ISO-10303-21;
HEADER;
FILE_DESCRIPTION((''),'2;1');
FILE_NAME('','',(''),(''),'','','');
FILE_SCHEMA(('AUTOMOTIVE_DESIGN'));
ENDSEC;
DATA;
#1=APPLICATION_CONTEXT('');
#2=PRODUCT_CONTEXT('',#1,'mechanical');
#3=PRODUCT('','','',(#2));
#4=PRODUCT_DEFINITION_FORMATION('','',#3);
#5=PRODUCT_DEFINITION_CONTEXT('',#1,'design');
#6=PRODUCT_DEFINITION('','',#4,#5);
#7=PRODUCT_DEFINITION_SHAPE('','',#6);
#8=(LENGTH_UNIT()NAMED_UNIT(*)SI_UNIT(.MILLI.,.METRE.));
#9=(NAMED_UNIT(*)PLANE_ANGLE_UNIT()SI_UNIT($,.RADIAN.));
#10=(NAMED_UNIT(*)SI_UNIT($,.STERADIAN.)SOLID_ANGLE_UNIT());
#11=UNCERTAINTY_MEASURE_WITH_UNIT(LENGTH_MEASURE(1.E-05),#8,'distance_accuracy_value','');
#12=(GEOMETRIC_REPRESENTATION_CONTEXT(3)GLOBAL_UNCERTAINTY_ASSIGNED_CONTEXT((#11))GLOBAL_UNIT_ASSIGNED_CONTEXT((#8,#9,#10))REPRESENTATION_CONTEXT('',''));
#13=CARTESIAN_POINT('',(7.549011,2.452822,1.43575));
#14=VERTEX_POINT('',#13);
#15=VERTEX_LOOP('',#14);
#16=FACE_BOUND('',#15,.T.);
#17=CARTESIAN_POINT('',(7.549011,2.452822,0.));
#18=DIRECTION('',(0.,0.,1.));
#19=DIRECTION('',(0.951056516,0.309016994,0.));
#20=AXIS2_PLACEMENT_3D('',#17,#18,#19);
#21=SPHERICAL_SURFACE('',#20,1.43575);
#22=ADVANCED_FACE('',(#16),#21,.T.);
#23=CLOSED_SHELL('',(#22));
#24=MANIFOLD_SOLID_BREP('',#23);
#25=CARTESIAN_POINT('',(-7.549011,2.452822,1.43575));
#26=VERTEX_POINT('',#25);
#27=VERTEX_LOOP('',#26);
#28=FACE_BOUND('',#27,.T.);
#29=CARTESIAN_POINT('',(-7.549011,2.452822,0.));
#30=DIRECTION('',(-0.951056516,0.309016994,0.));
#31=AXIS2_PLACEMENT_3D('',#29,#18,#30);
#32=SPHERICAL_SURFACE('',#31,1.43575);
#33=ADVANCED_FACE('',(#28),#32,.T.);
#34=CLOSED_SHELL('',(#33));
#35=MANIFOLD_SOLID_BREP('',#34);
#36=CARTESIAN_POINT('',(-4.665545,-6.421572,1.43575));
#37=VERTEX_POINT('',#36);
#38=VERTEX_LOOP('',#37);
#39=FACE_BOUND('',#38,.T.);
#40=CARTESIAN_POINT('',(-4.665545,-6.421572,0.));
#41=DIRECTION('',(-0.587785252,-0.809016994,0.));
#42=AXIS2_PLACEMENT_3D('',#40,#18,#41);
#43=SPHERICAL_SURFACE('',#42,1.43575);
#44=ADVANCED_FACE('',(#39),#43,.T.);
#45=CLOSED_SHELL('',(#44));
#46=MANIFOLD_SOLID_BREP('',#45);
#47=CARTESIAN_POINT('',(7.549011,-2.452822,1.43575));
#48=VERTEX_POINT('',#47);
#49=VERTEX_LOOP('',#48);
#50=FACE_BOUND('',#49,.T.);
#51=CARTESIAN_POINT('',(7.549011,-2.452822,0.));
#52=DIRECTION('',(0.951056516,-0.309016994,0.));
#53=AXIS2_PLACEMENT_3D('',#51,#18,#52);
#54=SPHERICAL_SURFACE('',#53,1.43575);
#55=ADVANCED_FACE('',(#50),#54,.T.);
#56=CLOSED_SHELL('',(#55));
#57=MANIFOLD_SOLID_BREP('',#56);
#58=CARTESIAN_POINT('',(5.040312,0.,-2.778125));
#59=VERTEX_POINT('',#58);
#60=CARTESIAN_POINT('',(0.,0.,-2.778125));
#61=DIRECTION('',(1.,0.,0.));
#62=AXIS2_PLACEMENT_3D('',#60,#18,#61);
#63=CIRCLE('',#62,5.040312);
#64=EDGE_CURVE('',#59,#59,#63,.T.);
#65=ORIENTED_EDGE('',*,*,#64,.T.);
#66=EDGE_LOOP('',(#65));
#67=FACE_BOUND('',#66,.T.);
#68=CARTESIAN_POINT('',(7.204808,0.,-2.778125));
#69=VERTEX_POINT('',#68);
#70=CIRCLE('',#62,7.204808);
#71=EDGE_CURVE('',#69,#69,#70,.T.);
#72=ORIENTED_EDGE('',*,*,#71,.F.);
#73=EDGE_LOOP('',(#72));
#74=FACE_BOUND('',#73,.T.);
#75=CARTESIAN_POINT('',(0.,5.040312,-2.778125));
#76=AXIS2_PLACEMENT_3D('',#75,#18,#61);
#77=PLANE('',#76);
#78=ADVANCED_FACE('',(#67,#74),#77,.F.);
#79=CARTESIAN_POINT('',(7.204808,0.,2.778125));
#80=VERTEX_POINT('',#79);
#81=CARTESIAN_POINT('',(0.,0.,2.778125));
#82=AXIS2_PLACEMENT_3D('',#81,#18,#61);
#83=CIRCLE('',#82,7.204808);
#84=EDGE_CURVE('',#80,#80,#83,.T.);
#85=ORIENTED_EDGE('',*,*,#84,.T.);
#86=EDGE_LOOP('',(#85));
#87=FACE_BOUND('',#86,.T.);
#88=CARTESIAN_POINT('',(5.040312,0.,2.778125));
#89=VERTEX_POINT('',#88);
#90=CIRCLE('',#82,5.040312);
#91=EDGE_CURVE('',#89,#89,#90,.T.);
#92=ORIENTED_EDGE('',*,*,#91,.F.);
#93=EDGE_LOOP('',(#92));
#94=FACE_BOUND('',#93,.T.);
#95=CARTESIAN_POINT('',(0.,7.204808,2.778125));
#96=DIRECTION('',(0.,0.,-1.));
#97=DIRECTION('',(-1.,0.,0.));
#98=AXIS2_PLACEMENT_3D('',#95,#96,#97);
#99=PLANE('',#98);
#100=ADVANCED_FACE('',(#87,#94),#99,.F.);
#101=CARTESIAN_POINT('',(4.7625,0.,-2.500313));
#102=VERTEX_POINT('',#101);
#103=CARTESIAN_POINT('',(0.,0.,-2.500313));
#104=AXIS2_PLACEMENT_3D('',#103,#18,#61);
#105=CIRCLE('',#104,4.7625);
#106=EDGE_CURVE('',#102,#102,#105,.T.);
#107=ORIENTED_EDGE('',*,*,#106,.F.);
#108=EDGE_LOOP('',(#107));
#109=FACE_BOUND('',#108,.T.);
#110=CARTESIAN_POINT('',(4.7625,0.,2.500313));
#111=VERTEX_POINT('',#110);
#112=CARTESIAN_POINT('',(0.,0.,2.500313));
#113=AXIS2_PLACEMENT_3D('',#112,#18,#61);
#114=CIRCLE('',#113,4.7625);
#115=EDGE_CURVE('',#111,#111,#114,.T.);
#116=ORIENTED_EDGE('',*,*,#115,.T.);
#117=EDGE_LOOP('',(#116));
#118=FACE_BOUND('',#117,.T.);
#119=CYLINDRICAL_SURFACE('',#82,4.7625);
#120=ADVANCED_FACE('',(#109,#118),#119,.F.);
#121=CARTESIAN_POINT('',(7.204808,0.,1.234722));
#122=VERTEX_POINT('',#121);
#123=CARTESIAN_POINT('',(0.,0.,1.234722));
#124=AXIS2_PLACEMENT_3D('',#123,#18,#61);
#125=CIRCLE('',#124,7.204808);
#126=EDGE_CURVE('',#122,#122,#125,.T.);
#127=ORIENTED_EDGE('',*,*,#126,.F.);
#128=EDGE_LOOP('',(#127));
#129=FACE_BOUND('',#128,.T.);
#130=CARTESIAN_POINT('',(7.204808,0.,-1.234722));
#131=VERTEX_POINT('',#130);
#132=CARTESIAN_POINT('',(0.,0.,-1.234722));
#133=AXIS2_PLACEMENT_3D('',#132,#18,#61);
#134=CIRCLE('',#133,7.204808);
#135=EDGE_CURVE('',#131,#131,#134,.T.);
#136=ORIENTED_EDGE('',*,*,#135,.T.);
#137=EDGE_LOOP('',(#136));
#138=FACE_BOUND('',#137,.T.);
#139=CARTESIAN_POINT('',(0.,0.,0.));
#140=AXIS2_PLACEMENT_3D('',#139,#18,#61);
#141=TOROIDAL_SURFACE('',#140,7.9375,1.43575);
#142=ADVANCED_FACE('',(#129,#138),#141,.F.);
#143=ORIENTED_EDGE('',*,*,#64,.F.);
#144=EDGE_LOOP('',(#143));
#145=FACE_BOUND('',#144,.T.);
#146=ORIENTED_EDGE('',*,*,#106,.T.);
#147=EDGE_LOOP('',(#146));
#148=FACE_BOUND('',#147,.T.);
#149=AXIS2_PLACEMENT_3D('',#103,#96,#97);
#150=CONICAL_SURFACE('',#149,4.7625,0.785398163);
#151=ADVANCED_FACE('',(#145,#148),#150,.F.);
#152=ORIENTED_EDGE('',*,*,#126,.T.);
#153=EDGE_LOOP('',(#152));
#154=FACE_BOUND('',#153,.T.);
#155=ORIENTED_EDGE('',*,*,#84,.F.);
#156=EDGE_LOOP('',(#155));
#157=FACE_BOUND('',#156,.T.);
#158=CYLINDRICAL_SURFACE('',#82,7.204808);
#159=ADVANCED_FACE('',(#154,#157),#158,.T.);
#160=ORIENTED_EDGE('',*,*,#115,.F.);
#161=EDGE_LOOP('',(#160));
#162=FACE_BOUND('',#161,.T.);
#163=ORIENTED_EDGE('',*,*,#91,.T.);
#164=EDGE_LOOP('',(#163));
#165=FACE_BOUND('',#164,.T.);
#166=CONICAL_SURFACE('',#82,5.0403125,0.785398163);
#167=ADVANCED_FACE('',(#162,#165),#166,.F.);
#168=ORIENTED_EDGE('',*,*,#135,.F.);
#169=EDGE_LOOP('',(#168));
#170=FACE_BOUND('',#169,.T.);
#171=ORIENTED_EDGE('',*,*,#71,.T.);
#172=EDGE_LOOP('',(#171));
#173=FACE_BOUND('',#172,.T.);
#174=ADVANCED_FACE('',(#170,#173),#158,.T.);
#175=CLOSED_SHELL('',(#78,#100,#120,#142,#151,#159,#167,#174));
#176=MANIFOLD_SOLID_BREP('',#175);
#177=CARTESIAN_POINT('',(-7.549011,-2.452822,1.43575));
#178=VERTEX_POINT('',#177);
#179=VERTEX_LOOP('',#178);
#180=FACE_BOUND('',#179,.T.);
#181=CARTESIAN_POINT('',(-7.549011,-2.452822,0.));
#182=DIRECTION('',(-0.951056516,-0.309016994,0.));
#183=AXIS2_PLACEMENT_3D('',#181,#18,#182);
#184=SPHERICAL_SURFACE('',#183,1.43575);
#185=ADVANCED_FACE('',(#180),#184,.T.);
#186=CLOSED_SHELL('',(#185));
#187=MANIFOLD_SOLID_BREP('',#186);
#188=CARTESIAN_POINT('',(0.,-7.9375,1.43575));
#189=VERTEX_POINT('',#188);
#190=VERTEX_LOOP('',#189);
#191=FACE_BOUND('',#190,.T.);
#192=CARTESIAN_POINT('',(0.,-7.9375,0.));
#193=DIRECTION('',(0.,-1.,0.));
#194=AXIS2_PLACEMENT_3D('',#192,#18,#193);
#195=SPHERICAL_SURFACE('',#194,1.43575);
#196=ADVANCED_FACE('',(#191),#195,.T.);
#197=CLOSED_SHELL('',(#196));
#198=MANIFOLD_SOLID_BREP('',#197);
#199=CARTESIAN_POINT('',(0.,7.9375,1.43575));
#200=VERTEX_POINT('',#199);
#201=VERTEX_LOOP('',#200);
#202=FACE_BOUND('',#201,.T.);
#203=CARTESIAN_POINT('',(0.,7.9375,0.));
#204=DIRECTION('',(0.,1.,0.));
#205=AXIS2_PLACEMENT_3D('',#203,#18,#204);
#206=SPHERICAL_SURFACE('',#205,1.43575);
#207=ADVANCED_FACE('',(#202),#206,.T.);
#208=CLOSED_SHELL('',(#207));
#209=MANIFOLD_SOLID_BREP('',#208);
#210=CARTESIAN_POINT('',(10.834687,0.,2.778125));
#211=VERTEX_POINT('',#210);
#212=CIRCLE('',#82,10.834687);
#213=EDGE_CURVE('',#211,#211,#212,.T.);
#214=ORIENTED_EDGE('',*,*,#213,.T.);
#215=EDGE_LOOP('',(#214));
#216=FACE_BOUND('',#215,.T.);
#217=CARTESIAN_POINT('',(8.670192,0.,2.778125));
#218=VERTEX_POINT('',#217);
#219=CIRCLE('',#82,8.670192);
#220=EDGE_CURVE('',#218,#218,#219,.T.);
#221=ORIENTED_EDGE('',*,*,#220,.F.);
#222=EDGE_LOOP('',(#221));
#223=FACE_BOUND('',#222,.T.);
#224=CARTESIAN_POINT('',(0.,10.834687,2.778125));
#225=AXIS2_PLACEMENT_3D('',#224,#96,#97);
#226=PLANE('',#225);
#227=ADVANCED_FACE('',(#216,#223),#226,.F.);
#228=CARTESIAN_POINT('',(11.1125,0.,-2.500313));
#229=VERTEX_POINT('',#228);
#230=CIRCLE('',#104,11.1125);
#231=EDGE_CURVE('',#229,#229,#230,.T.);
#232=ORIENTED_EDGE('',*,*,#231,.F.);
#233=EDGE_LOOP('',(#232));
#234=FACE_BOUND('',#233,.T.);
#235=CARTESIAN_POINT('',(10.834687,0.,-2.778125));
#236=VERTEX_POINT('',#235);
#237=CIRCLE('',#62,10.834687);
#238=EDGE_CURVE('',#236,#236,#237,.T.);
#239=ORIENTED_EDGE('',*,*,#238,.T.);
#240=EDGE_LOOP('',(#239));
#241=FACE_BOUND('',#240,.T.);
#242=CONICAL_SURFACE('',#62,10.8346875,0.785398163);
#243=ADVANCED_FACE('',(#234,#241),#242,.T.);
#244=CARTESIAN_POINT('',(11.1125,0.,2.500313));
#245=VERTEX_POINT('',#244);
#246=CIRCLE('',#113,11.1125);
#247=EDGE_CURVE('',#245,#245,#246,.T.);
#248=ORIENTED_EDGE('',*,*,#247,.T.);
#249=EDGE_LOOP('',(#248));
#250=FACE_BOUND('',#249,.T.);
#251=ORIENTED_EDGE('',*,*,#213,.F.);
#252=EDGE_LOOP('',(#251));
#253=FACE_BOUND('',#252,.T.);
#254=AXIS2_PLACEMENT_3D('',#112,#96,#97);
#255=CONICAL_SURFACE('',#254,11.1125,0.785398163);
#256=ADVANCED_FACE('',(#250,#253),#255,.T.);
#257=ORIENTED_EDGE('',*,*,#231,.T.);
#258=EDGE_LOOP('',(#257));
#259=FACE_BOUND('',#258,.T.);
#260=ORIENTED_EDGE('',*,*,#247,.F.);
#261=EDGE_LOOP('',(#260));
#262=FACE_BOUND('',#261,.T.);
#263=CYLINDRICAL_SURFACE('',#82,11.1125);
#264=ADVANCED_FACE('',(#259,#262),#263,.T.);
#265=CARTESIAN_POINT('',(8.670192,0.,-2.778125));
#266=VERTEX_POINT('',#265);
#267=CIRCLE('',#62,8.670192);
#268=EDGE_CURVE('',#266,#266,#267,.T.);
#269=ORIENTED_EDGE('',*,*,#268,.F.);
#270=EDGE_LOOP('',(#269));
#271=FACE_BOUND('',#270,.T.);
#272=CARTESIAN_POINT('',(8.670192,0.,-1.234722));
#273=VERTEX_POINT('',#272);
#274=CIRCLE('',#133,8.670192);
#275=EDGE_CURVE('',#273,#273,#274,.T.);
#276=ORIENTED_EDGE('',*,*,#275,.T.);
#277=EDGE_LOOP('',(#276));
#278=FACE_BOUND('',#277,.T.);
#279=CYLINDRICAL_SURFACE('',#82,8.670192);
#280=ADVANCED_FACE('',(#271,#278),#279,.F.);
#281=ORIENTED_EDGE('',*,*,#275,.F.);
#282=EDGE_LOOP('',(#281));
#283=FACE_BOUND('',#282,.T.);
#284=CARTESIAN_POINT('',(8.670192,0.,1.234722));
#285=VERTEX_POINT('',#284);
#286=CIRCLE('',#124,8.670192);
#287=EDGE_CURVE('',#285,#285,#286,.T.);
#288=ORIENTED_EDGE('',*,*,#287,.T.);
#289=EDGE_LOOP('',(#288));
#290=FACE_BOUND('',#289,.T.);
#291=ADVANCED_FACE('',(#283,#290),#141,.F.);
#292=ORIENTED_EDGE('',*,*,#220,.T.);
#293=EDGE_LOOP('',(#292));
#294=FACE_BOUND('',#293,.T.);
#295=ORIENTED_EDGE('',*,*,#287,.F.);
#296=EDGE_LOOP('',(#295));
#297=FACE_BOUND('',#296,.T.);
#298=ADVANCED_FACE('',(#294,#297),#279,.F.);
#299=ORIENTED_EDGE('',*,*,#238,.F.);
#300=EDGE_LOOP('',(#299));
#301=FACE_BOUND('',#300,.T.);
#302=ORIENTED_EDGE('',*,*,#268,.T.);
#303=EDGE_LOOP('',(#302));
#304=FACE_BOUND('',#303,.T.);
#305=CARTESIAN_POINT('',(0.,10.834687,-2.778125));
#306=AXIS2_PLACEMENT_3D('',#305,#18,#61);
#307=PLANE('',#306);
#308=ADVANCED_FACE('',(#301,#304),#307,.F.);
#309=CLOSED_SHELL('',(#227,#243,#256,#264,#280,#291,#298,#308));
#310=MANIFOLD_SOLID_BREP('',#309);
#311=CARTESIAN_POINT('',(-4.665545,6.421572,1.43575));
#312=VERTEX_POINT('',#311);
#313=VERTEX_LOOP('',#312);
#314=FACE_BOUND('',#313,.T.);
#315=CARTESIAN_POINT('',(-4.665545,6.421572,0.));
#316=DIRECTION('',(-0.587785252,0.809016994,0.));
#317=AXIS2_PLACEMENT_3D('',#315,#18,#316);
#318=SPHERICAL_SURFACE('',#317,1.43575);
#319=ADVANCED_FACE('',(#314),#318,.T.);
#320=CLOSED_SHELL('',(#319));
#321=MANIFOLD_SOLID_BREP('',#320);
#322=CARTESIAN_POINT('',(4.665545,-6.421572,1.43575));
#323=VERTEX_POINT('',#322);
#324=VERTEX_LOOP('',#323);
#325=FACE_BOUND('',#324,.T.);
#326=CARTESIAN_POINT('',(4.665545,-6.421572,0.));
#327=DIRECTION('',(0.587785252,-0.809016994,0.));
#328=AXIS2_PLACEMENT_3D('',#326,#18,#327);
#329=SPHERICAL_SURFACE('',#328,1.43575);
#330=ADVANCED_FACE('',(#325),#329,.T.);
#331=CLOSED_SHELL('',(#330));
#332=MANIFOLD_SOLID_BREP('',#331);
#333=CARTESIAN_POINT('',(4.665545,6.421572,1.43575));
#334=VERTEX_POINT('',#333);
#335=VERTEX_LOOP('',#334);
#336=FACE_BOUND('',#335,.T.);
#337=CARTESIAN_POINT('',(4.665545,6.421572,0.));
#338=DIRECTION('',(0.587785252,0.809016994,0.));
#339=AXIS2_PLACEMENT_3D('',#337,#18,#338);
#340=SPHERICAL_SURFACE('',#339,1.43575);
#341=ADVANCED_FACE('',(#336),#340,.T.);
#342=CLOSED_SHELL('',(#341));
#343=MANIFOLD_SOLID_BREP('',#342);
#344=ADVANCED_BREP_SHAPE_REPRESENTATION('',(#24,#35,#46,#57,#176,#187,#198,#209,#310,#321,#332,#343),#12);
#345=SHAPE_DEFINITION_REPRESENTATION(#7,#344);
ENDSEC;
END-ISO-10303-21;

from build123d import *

# Parameters (mm, degrees)
CIRPATTERN1_COUNT = 10


with BuildPart() as part:
    # Sketch1 → Revolve1 (revolve)
    with BuildSketch(Plane(origin=(0, 0, 0), x_dir=(0, 0, -1), z_dir=(1, 0, 0))):
        with BuildLine():
            Line((2.5003125, 11.1125), (-2.5003125, 11.1125))
            Line((-2.5003125, 11.1125), (-2.778125, 10.8346875))
            Line((-2.778125, 10.8346875), (-2.778125, 8.670192308))
            Line((-2.778125, 8.670192308), (-1.234722222, 8.670192308))
            ThreePointArc((-1.234722222, 8.670192308), (0, 9.373249624), (1.234722222, 8.670192308))
            Line((1.234722222, 8.670192308), (2.778125, 8.670192308))
            Line((2.778125, 8.670192308), (2.778125, 10.8346875))
            Line((2.778125, 10.8346875), (2.5003125, 11.1125))
        make_face()
    revolve(axis=Axis((0, 0, 2.778125), (0, 0, -1)))


with BuildPart() as body_2:
    # Sketch3 → Revolve3 (revolve)
    with BuildSketch(Plane(origin=(0, 0, 0), x_dir=(0, 0, -1), z_dir=(1, 0, 0))):
        with BuildLine():
            Line((-2.778125, 7.204807692), (-1.234722222, 7.204807692))
            ThreePointArc((-1.234722222, 7.204807692), (0, 6.501750376), (1.234722222, 7.204807692))
            Line((1.234722222, 7.204807692), (2.778125, 7.204807692))
            Line((2.778125, 7.204807692), (2.778125, 5.0403125))
            Line((2.778125, 5.0403125), (2.5003125, 4.7625))
            Line((2.5003125, 4.7625), (-2.5003125, 4.7625))
            Line((-2.5003125, 4.7625), (-2.778125, 5.0403125))
            Line((-2.778125, 5.0403125), (-2.778125, 7.204807692))
        make_face()
    revolve(axis=Axis((0, 0, 2.778125), (0, 0, -1)))


with BuildPart() as body_3:
    # Sketch4 → Revolve4 (revolve)
    with BuildSketch(Plane(origin=(0, 0, 0), x_dir=(0, 0, -1), z_dir=(1, 0, 0))):
        with BuildLine():
            Line((-1.435749624, 7.9375), (1.435749624, 7.9375))
            ThreePointArc((1.435749624, 7.9375), (0, 9.373249624), (-1.435749624, 7.9375))
        make_face()
    revolve(axis=Axis((0, 7.9375, 1.435749624), (0, 0, -1)))


with BuildPart() as cirpattern1_1:
    # CirPattern1: pattern copy
    add(body_3.part.rotate(Axis((0, 0, 0), (0, 0, 1)), 1 * 360 / CIRPATTERN1_COUNT))


with BuildPart() as cirpattern1_2:
    # CirPattern1: pattern copy
    add(body_3.part.rotate(Axis((0, 0, 0), (0, 0, 1)), 2 * 360 / CIRPATTERN1_COUNT))


with BuildPart() as cirpattern1_3:
    # CirPattern1: pattern copy
    add(body_3.part.rotate(Axis((0, 0, 0), (0, 0, 1)), 3 * 360 / CIRPATTERN1_COUNT))


with BuildPart() as cirpattern1_4:
    # CirPattern1: pattern copy
    add(body_3.part.rotate(Axis((0, 0, 0), (0, 0, 1)), 4 * 360 / CIRPATTERN1_COUNT))


with BuildPart() as cirpattern1_5:
    # CirPattern1: pattern copy
    add(body_3.part.rotate(Axis((0, 0, 0), (0, 0, 1)), 5 * 360 / CIRPATTERN1_COUNT))


with BuildPart() as cirpattern1_6:
    # CirPattern1: pattern copy
    add(body_3.part.rotate(Axis((0, 0, 0), (0, 0, 1)), 6 * 360 / CIRPATTERN1_COUNT))


with BuildPart() as cirpattern1_7:
    # CirPattern1: pattern copy
    add(body_3.part.rotate(Axis((0, 0, 0), (0, 0, 1)), 7 * 360 / CIRPATTERN1_COUNT))


with BuildPart() as cirpattern1_8:
    # CirPattern1: pattern copy
    add(body_3.part.rotate(Axis((0, 0, 0), (0, 0, 1)), 8 * 360 / CIRPATTERN1_COUNT))


with BuildPart() as cirpattern1_9:
    # CirPattern1: pattern copy
    add(body_3.part.rotate(Axis((0, 0, 0), (0, 0, 1)), 9 * 360 / CIRPATTERN1_COUNT))


solid = Compound([part.part, body_2.part, body_3.part, cirpattern1_1.part, cirpattern1_2.part, cirpattern1_3.part, cirpattern1_4.part, cirpattern1_5.part, cirpattern1_6.part, cirpattern1_7.part, cirpattern1_8.part, cirpattern1_9.part])
